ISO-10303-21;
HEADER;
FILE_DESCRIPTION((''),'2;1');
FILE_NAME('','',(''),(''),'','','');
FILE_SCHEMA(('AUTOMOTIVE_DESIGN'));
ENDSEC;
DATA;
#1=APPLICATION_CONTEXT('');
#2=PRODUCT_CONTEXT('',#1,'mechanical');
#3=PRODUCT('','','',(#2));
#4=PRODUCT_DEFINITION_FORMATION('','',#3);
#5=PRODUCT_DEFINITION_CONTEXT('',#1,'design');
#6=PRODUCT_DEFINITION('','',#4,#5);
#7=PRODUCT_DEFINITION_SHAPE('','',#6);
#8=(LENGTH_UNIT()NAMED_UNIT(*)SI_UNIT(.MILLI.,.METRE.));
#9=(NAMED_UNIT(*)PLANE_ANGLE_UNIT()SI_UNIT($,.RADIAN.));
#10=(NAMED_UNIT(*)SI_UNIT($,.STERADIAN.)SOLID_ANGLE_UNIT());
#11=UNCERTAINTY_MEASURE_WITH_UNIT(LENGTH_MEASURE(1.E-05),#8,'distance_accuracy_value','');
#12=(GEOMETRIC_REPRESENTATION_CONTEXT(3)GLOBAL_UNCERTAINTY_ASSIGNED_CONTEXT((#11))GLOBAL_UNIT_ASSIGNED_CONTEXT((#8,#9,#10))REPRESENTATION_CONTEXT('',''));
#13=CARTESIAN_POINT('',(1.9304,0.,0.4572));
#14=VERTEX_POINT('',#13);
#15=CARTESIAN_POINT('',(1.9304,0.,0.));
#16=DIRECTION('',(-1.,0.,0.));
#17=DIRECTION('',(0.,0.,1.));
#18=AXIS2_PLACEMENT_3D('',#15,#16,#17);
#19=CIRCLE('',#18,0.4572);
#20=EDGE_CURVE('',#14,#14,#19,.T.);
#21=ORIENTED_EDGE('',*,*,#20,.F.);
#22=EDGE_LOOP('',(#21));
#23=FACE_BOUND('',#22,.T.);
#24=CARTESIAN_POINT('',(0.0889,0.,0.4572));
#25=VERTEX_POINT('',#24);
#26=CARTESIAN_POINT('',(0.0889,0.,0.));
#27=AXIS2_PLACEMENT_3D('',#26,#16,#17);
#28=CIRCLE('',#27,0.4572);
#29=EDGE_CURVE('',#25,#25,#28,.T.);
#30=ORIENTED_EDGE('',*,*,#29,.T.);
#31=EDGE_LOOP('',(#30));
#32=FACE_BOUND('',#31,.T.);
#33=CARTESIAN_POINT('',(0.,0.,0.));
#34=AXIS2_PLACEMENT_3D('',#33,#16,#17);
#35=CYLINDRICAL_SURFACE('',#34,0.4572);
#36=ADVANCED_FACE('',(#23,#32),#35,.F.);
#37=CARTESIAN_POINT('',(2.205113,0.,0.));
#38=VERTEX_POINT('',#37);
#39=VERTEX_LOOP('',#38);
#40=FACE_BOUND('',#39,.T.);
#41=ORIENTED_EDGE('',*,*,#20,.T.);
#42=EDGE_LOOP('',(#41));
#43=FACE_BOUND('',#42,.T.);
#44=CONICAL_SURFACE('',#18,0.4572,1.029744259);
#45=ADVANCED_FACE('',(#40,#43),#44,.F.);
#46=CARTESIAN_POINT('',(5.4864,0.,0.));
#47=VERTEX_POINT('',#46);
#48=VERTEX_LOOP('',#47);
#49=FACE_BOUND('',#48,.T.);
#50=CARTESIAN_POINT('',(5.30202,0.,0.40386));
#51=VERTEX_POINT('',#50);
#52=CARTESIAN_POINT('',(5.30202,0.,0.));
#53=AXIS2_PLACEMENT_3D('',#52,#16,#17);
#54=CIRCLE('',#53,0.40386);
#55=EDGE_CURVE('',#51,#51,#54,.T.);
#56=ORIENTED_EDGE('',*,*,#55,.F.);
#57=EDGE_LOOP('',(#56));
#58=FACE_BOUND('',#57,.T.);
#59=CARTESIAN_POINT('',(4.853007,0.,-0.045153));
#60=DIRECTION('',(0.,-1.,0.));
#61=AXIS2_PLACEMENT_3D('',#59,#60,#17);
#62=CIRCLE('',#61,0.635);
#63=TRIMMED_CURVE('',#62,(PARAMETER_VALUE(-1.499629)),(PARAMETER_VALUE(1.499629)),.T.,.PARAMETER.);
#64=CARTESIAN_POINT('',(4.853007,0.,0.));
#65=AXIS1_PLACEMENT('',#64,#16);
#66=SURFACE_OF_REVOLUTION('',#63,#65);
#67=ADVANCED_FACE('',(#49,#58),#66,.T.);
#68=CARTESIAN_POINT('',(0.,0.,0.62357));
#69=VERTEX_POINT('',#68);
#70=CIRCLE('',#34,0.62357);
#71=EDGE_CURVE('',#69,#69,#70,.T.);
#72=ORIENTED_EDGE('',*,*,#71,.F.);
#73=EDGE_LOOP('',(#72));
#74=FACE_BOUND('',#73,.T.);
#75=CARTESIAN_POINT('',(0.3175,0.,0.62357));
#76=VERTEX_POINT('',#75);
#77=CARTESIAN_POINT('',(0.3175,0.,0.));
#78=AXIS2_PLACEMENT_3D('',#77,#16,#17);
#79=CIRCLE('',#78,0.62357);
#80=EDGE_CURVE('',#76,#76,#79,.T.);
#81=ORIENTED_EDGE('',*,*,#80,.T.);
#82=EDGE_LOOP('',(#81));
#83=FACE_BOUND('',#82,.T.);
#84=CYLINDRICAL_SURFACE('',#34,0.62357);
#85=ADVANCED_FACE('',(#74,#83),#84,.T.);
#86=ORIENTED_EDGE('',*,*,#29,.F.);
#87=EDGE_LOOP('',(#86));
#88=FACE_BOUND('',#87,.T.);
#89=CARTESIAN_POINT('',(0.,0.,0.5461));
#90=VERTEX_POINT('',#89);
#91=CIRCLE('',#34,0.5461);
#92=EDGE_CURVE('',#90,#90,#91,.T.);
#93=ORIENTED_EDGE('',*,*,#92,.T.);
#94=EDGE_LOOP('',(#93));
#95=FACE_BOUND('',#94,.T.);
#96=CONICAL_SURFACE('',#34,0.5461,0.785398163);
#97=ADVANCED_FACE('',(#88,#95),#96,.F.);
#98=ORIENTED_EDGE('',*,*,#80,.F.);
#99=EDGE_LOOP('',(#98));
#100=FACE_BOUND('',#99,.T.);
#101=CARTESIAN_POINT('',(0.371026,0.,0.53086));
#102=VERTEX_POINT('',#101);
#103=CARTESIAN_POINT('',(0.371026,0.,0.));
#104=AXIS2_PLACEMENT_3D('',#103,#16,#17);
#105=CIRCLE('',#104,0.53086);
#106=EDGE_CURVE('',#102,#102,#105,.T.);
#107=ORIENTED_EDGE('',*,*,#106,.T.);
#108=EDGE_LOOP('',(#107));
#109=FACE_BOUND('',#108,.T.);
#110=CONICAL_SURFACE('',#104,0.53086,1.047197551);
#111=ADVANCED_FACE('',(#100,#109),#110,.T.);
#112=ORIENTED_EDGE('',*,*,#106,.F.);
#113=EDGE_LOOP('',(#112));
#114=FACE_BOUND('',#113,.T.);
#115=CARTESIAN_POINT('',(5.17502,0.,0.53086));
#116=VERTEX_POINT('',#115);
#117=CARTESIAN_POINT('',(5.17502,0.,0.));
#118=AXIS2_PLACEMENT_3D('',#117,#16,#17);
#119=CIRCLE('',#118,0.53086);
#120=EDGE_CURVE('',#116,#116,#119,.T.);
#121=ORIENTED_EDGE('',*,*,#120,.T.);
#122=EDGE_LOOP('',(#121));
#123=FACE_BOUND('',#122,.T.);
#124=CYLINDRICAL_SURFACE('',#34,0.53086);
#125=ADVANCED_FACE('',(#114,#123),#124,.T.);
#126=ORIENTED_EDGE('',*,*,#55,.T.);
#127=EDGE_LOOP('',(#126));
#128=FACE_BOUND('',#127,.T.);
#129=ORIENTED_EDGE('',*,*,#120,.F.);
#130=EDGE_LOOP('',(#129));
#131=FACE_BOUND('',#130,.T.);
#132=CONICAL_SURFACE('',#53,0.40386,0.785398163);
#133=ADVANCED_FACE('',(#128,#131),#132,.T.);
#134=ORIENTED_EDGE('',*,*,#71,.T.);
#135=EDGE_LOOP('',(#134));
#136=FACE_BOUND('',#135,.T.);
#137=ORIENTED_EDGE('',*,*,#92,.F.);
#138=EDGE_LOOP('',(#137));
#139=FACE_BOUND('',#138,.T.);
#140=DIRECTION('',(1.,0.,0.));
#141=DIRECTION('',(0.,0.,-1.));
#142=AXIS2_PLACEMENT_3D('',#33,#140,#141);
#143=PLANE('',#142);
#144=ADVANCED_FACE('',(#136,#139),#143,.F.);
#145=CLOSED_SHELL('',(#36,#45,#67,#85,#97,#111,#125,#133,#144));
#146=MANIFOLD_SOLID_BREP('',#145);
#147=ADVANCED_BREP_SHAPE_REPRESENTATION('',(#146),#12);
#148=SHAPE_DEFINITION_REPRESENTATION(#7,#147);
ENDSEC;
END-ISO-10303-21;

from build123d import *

# Parameters (mm, degrees)
HOLE2_D           = 0.9144
HOLE2_DEPTH       = 1.9304
HOLE2_CSINK_D     = 1.0922
HOLE2_CSINK_ANGLE = 90
HOLE2_TIP         = 0.274713475


with BuildPart() as part:
    # Sketch1 → RevolutionAngle1 (revolve)
    with BuildSketch(Plane.XY):
        with BuildLine():
            Line((0, 0), (0, 0.62357))
            Line((0, 0.62357), (0.3175, 0.62357))
            Line((0.3175, 0.62357), (0.371026143, 0.53086))
            Line((0.371026143, 0.53086), (5.175020176, 0.53086))
            Line((5.175020176, 0.53086), (5.302020176, 0.40386))
            ThreePointArc((5.302020176, 0.40386), (5.430654413, 0.218568435), (5.4864, 0))
            Line((5.4864, 0), (0, 0))
        make_face()
    revolve(axis=Axis((0, 0, 0), (1, 0, 0)))

    # Hole2
    with Locations(Plane(origin=(0, 0, 0), x_dir=(0, 0, -1), z_dir=(-1, 0, 0))):
        with Locations((0, 0)):
            CounterSinkHole(HOLE2_D / 2, HOLE2_CSINK_D / 2, depth=HOLE2_DEPTH, counter_sink_angle=HOLE2_CSINK_ANGLE)
            with Locations((0, 0, -(HOLE2_DEPTH + HOLE2_TIP / 2))):  # 118° drill point
                Cone(0, HOLE2_D / 2, HOLE2_TIP, mode=Mode.SUBTRACT)


solid = part.part
